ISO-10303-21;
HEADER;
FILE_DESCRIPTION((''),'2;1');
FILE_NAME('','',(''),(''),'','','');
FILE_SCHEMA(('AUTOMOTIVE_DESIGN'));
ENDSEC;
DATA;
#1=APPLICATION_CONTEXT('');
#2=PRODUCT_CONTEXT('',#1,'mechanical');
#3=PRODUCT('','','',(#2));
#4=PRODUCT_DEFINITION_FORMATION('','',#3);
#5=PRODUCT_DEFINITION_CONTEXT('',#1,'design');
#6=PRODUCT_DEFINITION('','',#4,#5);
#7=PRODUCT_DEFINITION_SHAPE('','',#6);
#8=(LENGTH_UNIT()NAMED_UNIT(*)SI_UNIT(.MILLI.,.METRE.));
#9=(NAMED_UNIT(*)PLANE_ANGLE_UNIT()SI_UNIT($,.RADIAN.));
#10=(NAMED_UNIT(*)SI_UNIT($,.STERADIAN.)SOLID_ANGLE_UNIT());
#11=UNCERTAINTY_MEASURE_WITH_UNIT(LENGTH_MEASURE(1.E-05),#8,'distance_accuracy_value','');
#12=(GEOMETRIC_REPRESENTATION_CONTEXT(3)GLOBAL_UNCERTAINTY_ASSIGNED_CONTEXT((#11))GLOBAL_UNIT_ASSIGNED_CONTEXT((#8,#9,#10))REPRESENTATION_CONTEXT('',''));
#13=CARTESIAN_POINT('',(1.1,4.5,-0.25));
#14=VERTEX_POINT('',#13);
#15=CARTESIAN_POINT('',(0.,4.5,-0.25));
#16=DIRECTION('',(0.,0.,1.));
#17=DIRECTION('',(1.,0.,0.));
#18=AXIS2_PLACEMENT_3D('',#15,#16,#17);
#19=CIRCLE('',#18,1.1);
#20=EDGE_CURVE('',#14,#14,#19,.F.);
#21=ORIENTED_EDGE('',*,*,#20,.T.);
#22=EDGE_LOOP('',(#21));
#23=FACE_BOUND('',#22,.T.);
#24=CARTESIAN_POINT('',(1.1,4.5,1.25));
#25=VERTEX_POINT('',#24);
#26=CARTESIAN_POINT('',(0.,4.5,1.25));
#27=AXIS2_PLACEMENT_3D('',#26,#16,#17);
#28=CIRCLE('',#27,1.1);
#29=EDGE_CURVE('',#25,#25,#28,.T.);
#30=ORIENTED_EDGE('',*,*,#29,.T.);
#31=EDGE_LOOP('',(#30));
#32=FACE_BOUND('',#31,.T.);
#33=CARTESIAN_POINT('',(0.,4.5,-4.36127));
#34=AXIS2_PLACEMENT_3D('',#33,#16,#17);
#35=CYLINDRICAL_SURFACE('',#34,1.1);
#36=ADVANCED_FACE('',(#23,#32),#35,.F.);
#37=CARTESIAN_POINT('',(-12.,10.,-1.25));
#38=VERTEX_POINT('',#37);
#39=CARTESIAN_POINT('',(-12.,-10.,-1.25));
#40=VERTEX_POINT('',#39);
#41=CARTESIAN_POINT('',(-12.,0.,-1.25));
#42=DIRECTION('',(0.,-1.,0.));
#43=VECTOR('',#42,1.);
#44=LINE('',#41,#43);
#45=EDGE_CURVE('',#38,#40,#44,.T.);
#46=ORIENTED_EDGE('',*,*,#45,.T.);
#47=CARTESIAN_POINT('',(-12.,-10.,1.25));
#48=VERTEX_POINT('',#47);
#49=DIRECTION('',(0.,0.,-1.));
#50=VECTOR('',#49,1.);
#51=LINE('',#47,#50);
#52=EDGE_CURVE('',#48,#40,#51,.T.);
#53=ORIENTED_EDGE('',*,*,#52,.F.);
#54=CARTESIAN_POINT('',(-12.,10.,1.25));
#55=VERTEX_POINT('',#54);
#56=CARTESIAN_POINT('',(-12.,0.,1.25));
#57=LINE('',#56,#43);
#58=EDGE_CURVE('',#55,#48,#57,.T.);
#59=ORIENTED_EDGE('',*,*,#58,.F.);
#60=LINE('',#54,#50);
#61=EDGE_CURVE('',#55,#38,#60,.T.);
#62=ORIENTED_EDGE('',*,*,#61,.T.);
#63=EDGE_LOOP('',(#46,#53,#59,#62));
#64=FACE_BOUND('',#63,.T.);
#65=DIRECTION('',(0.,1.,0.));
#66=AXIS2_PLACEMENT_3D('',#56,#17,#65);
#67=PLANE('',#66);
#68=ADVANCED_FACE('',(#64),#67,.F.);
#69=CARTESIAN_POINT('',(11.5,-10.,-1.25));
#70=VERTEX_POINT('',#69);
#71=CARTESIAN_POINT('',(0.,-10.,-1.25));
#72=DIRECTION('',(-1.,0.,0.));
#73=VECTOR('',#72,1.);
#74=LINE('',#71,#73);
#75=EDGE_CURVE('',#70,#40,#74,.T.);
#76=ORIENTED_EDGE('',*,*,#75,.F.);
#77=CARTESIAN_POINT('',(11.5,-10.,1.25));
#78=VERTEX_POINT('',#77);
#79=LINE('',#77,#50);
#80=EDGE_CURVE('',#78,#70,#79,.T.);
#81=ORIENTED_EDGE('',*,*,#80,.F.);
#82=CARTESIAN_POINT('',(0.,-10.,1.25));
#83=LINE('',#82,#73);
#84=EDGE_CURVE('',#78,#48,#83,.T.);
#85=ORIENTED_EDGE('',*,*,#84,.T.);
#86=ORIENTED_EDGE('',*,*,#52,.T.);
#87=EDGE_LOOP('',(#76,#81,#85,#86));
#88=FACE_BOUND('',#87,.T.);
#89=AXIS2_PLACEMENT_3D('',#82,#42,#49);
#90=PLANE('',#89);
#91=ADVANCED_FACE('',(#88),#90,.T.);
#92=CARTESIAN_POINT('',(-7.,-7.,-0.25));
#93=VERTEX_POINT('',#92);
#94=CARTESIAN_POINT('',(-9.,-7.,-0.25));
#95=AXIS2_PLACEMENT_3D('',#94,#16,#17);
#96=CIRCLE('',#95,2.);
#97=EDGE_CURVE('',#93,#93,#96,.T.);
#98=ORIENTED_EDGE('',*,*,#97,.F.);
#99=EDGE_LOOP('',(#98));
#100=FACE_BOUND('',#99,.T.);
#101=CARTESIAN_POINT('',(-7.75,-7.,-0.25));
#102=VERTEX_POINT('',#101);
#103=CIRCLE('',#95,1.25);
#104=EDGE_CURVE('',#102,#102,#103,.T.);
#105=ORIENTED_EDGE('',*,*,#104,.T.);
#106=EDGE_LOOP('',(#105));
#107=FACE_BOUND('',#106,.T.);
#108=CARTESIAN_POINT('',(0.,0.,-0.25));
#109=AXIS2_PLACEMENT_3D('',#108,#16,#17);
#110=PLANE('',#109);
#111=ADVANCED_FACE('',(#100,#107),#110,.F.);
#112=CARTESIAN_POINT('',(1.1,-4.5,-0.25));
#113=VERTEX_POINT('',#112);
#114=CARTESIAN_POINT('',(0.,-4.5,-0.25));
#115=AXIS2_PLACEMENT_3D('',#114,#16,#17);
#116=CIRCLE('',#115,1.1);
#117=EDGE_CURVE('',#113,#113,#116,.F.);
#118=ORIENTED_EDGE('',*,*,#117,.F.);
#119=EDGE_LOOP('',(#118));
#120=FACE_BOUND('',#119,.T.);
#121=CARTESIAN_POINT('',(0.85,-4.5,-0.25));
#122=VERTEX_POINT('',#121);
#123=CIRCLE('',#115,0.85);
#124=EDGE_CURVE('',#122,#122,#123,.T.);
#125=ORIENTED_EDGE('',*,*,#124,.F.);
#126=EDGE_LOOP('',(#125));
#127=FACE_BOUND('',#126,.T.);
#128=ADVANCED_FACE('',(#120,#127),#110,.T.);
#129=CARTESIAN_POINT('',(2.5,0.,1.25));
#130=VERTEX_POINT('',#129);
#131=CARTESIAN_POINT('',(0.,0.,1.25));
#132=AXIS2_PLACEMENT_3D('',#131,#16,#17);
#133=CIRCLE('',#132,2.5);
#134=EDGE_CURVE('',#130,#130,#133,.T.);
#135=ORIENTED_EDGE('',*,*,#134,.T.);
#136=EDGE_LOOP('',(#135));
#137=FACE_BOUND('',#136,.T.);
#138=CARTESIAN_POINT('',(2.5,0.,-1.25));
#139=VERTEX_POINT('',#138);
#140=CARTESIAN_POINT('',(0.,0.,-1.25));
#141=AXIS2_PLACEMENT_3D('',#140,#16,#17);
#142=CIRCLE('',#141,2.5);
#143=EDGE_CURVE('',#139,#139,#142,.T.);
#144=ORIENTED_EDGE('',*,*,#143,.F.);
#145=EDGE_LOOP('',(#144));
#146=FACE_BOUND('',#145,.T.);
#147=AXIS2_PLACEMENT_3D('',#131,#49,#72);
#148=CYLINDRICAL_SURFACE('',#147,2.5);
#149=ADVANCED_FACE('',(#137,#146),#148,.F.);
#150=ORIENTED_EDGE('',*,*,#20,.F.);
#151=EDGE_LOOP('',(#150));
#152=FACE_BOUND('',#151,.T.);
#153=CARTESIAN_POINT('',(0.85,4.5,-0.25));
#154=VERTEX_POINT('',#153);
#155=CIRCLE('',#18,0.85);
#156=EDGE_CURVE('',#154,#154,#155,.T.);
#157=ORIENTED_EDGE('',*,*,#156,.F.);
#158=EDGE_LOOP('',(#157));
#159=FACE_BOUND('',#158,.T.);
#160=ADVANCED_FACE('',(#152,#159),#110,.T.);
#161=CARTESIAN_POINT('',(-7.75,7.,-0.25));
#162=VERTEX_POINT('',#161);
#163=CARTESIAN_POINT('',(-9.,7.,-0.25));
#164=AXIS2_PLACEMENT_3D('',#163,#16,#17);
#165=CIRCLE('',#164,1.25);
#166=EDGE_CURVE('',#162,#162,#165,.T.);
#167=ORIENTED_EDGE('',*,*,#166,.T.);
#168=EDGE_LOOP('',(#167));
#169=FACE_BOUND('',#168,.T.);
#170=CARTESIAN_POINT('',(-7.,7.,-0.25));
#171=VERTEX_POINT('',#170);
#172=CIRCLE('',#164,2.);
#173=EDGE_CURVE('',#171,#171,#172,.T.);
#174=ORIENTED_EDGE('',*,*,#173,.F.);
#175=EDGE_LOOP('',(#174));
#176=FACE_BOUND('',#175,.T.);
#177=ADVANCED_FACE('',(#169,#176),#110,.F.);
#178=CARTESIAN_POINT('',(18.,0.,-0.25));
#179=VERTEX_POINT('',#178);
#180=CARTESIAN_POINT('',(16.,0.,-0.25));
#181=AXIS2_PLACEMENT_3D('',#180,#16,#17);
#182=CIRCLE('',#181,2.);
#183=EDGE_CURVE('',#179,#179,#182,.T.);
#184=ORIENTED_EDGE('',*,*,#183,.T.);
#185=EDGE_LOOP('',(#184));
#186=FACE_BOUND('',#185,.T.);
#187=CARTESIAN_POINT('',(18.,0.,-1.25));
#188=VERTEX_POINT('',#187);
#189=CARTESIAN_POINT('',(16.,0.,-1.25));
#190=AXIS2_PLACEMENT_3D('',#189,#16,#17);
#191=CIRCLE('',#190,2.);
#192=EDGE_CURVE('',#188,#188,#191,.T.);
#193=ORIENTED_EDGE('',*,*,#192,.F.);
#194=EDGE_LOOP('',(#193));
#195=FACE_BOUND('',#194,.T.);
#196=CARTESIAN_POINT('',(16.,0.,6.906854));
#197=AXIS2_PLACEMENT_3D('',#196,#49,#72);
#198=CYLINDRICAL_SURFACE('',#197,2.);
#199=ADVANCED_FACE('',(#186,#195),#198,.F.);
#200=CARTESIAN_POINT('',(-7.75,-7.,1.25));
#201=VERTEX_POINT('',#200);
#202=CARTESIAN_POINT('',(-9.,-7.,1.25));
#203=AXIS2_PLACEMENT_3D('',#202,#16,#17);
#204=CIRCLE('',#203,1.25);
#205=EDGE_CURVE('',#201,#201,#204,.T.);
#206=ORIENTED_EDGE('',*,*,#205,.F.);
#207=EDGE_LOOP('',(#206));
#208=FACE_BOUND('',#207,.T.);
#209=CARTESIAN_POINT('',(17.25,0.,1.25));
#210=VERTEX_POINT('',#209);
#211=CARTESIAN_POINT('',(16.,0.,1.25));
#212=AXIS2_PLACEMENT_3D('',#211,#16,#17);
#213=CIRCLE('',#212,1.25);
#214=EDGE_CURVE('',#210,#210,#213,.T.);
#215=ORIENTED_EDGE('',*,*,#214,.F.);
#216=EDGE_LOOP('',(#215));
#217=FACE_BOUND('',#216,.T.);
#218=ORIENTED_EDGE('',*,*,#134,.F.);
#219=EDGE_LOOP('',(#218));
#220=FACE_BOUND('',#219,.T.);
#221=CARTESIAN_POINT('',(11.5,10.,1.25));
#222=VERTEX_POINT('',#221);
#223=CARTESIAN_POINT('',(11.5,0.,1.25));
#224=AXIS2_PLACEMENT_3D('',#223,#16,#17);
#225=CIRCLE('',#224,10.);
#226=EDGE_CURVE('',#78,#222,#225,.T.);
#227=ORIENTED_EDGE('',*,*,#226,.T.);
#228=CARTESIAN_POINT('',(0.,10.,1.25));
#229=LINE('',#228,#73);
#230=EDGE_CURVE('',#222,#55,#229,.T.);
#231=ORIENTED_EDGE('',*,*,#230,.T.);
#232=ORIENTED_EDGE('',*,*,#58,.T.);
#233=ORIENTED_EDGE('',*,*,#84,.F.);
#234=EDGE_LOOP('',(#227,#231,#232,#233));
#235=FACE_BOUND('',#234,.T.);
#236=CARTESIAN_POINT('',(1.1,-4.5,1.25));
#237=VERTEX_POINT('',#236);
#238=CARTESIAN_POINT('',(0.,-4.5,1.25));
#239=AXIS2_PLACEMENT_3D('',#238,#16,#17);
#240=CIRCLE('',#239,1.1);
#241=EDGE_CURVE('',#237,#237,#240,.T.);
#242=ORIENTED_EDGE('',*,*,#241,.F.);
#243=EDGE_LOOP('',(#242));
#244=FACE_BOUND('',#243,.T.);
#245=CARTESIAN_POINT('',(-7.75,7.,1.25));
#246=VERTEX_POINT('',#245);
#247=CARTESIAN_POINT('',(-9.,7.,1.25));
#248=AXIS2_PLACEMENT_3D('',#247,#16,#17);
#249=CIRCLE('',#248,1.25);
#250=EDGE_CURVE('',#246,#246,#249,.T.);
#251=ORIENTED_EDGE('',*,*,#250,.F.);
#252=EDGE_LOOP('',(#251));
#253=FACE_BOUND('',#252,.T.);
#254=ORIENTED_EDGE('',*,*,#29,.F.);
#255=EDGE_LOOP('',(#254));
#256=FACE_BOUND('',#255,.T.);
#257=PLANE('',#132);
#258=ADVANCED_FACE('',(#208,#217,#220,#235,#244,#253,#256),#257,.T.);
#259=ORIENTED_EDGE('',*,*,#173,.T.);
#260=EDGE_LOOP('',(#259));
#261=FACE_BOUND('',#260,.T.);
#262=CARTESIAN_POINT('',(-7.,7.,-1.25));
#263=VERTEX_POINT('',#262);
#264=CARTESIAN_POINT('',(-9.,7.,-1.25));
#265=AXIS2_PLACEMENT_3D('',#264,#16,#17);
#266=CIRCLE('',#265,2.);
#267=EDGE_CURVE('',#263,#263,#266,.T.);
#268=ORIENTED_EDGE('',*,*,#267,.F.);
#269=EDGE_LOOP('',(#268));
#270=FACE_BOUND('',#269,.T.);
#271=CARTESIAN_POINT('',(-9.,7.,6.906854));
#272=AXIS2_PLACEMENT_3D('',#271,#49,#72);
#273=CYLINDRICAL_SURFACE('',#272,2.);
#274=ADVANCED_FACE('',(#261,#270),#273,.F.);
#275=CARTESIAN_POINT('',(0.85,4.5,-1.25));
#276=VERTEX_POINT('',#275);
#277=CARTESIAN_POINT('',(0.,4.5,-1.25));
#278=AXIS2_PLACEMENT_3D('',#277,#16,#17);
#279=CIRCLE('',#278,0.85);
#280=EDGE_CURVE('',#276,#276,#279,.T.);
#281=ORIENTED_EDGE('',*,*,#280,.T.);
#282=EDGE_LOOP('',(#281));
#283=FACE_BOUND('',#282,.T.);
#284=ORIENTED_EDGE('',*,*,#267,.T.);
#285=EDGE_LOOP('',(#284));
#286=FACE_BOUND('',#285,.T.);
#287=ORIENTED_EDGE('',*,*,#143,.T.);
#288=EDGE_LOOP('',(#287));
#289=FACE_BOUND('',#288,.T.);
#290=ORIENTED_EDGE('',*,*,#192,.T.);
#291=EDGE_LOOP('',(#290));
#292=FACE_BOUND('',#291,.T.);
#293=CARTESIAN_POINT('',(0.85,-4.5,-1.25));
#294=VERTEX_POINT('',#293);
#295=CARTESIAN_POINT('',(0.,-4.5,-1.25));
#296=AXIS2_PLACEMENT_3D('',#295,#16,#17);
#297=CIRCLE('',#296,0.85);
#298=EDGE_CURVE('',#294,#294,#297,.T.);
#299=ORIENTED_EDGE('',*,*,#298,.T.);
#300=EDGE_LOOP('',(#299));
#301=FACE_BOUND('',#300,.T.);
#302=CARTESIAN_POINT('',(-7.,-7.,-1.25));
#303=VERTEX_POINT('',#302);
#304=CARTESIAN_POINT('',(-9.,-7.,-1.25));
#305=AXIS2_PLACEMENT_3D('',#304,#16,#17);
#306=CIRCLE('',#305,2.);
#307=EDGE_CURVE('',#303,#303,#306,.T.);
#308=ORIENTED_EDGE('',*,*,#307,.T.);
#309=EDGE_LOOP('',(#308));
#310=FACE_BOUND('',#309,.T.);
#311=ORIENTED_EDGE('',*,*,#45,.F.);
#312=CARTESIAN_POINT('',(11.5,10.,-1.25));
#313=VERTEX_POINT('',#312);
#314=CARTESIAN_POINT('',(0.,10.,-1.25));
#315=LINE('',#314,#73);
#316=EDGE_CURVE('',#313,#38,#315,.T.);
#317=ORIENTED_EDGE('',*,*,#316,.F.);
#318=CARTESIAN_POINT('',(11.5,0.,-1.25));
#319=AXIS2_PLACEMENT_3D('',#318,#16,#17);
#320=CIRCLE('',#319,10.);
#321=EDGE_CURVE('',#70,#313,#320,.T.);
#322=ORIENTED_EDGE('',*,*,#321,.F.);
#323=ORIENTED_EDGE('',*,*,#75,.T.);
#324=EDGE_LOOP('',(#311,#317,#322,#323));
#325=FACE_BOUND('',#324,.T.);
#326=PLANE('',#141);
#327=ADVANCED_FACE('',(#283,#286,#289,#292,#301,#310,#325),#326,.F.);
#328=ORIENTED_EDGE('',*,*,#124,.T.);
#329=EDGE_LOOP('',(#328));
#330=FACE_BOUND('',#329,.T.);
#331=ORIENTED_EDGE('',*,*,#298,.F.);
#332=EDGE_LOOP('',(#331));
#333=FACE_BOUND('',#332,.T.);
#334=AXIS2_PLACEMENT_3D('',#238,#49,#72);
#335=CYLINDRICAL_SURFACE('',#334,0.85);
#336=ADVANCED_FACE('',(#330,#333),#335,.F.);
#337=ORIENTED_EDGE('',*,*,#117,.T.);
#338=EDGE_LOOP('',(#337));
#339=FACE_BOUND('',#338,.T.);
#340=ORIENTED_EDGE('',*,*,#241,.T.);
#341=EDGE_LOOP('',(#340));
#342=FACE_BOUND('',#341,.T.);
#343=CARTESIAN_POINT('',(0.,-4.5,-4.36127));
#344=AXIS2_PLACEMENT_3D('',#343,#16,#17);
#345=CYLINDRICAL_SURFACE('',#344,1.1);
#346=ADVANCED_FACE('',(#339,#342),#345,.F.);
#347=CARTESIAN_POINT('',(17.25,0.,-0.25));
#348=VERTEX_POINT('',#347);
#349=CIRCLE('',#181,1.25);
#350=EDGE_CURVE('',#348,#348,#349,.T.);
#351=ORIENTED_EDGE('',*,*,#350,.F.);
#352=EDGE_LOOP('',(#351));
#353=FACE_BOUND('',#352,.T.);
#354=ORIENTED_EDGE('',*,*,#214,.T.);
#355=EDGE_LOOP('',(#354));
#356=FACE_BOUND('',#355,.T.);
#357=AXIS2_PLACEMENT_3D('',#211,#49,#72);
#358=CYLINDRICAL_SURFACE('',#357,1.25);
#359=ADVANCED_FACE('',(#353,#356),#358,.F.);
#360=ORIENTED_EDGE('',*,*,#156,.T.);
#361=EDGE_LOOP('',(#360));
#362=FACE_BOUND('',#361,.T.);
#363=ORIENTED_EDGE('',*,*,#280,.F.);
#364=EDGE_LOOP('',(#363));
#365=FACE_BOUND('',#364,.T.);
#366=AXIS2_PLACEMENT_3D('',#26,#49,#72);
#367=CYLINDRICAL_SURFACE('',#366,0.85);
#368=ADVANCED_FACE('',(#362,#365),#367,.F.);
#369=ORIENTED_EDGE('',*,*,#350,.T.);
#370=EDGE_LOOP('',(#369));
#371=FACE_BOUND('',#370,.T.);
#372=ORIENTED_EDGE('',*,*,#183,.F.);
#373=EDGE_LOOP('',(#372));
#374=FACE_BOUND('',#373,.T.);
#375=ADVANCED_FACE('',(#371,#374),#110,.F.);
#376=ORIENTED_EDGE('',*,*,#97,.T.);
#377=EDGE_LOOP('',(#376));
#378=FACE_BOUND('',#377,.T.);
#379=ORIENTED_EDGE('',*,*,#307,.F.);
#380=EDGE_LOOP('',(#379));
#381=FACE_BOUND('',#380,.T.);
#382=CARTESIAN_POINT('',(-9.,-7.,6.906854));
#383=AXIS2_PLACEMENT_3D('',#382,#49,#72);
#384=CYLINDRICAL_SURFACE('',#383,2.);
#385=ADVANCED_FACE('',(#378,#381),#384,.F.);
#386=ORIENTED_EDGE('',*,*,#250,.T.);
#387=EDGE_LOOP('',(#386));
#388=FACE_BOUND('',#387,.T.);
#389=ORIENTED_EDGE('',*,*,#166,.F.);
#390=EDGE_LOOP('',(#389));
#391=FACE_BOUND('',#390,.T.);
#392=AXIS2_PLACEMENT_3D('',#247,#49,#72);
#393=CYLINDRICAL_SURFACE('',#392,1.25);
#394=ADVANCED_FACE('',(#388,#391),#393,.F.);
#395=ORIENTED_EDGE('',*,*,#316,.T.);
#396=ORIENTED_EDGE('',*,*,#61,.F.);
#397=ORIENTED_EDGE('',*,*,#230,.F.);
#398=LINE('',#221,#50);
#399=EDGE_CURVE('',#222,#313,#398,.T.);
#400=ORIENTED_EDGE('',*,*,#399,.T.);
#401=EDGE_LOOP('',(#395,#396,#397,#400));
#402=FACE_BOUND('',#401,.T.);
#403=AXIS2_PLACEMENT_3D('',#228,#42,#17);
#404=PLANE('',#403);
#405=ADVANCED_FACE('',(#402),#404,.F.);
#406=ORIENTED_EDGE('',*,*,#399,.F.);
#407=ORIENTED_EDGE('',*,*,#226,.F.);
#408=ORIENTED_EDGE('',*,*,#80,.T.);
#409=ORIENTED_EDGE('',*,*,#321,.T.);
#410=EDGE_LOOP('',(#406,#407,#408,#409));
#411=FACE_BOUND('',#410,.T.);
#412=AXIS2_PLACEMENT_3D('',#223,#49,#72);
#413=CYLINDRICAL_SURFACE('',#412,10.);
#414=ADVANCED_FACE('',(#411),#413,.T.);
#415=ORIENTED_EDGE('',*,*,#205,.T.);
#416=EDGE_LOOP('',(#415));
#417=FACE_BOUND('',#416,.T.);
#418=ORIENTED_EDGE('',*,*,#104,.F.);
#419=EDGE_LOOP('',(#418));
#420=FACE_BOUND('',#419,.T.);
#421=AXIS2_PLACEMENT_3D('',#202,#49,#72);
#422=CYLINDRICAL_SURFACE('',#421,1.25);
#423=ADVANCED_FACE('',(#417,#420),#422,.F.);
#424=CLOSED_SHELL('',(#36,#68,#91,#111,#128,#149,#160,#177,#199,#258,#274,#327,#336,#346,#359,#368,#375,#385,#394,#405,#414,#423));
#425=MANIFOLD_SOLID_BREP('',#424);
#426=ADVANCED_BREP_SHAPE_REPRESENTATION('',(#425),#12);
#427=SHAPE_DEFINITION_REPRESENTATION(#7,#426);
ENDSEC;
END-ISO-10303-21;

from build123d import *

# Parameters (mm, degrees)
SKETCH_1_R          = 2.5
SKETCH_1_R_2        = 0.85
SKETCH_1_R_3        = 1.25
EXTRUDE_1_DEPTH     = 1.25
CUT_EXTRUDE_START   = 1.25
SKETCH_1_4_R        = 1.1
CUT_EXTRUDE_1_DEPTH = 1.5
CUT_EXTRUDE_START_2 = -1.25
SKETCH_1_5_R        = 2
CUT_EXTRUDE_3_DEPTH = 1


with BuildPart() as part:
    # 草图1 → 凸台-拉伸1 (new, symmetric)
    with BuildSketch(Plane.XY):
        with BuildLine():
            Line((11.5, 10), (-12, 10))
            Line((-12, 10), (-12, -10))
            Line((-12, -10), (11.5, -10))
            ThreePointArc((11.5, -10), (21.5, 0), (11.5, 10))
        make_face()
        Circle(SKETCH_1_R, mode=Mode.SUBTRACT)
        with Locations((0, 4.5)):
            Circle(SKETCH_1_R_2, mode=Mode.SUBTRACT)
        with Locations((0, -4.5)):
            Circle(SKETCH_1_R_2, mode=Mode.SUBTRACT)
        with Locations((-9, 7)):
            Circle(SKETCH_1_R_3, mode=Mode.SUBTRACT)
        with Locations((-9, -7)):
            Circle(SKETCH_1_R_3, mode=Mode.SUBTRACT)
        with Locations((16, 0)):
            Circle(SKETCH_1_R_3, mode=Mode.SUBTRACT)
    extrude(amount=EXTRUDE_1_DEPTH, both=True)

    # 草图1<4> → 切除-拉伸1 (cut)
    with BuildSketch(Plane.XY.offset(CUT_EXTRUDE_START)):
        with Locations((0, 4.5)):
            Circle(SKETCH_1_4_R)
        with Locations((0, -4.5)):
            Circle(SKETCH_1_4_R)
    extrude(amount=-CUT_EXTRUDE_1_DEPTH, mode=Mode.SUBTRACT)

    # 草图1<5> → 切除-拉伸3 (cut)
    with BuildSketch(Plane.XY.offset(CUT_EXTRUDE_START_2)):
        with Locations((-9, 7)):
            Circle(SKETCH_1_5_R)
        with Locations((-9, -7)):
            Circle(SKETCH_1_5_R)
        with Locations((16, 0)):
            Circle(SKETCH_1_5_R)
    extrude(amount=CUT_EXTRUDE_3_DEPTH, mode=Mode.SUBTRACT)


solid = part.part
